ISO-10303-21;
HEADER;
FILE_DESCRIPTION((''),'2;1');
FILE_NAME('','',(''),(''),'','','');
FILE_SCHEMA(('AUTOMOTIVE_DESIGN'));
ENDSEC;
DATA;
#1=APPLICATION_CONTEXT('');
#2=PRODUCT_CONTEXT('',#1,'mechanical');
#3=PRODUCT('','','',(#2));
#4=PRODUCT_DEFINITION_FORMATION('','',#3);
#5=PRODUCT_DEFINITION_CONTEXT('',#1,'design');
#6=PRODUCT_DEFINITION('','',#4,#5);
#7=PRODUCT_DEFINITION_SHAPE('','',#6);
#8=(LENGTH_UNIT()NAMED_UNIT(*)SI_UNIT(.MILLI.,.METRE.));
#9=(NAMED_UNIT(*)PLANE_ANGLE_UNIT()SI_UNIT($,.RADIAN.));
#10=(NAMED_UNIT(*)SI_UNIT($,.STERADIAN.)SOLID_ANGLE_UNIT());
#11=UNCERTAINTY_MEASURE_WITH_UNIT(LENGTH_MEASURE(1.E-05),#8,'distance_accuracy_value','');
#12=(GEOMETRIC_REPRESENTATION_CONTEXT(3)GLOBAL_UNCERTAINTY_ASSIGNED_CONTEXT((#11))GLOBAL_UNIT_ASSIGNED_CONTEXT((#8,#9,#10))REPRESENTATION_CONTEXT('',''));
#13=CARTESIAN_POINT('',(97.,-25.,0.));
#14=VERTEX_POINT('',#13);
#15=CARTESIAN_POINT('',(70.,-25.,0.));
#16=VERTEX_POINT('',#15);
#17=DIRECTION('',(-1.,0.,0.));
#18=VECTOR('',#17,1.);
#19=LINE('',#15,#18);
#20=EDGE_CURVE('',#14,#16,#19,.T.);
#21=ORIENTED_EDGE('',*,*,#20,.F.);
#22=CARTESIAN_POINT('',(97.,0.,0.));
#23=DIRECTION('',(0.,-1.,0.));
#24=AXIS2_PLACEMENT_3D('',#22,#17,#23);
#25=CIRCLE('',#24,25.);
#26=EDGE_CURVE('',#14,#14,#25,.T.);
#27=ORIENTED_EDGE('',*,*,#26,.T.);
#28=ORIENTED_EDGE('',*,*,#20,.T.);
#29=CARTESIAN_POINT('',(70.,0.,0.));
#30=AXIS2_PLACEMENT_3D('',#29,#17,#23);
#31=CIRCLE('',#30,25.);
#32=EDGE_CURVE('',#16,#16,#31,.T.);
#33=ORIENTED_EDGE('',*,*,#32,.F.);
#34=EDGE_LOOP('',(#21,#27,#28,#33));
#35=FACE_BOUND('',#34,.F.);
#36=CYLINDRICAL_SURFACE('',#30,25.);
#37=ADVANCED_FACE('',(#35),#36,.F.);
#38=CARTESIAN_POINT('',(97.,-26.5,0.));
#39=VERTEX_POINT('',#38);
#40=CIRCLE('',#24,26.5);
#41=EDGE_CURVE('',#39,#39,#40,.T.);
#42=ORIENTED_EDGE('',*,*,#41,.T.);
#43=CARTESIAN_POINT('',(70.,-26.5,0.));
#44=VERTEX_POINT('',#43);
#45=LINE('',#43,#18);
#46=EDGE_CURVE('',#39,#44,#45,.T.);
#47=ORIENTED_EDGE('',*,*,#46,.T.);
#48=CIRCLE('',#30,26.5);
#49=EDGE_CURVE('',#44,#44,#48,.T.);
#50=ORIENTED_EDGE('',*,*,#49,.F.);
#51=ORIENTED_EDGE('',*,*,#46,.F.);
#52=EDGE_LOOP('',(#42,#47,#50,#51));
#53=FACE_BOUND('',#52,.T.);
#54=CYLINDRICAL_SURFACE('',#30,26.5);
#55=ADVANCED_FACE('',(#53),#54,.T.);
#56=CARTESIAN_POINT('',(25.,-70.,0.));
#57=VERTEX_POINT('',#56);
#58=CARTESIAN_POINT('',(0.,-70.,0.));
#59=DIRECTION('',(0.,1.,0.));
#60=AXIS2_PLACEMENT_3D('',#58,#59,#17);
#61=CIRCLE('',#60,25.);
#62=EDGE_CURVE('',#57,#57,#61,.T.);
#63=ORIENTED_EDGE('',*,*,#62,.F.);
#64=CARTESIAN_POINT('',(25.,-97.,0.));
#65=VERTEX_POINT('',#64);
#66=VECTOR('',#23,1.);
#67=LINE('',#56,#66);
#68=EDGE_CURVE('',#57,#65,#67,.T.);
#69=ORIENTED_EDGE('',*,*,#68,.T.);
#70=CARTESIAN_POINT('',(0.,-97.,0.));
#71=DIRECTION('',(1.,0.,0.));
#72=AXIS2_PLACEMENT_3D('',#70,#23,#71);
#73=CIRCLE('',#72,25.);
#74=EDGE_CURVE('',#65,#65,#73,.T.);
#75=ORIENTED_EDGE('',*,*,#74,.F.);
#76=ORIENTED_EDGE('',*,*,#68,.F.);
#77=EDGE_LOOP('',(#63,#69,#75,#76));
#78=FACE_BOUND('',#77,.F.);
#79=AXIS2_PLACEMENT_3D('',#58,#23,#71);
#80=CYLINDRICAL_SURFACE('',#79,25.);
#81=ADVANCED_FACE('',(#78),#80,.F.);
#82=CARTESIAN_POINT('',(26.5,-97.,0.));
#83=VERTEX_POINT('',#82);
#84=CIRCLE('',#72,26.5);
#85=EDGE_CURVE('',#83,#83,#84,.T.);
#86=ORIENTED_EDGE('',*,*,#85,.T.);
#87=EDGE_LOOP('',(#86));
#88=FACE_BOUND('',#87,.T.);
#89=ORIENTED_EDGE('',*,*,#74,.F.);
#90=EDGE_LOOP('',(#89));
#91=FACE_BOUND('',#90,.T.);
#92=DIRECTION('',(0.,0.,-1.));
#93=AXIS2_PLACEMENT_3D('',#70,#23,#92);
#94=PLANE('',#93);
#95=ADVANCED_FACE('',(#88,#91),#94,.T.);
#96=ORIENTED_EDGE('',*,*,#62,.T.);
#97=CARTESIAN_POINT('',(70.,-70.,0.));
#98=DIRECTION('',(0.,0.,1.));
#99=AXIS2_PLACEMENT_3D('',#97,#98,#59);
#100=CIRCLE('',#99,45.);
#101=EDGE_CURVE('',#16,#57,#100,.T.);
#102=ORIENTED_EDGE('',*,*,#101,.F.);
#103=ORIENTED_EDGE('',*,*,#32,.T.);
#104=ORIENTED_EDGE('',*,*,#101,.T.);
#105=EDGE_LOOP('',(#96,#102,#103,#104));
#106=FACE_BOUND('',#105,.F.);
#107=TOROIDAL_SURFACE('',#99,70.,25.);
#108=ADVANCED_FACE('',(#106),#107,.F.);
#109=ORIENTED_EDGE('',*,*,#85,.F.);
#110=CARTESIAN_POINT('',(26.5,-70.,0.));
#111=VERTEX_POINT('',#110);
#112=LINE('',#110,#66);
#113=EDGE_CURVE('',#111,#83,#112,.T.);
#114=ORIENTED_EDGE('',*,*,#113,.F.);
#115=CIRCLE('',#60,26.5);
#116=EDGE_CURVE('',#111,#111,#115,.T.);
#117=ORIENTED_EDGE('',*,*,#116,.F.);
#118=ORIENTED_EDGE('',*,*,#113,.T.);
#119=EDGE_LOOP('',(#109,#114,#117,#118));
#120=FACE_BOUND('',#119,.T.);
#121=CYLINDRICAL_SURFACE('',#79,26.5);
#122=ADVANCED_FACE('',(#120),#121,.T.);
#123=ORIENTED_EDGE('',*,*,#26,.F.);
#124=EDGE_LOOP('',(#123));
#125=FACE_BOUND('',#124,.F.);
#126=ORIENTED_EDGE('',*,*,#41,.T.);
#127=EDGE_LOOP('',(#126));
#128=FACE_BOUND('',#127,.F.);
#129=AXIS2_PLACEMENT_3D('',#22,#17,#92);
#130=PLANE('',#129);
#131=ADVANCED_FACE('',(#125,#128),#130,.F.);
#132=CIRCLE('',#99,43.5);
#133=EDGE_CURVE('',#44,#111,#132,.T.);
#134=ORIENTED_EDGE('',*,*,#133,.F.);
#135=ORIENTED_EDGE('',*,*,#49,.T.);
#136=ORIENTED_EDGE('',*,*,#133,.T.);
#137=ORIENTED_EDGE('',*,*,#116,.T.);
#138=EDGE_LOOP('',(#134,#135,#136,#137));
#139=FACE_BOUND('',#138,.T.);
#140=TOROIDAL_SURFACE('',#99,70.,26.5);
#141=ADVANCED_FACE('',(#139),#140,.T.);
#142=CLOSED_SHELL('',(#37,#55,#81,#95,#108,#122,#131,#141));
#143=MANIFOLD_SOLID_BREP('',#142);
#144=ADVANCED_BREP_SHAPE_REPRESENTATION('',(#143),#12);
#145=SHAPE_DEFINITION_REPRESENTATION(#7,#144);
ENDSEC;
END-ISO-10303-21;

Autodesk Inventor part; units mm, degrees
ref_plane "YZ Plane" through (0, 0, 0) normal (1, 0, 0) x (0, 1, 0)
ref_plane "XZ Plane" through (0, 0, 0) normal (0, 1, 0) x (-1, 0, 0)
sketch "Szkic6" plane through (0, 0, 0) normal (0, 0, 1) x (1, 0, 0)
  line L0 (-29.6067, 0) -> (35.2678, 0) construction
  line L1 (0, 42.3419) -> (0, -58.3726) construction
  arc A0 (70, 0) -> (0, -70) centre (70, -70) ccw
  line L2 (0, -70) -> (70, -70) construction
  line L3 (70, -70) -> (70, -4.4669) construction
  line L4 (70, 0) -> (97, 0)
  line L5 (0, -70) -> (0, -97)
  point P0 (0, 0)
  dimension "d24" = 70
  dimension "d31" = 90
  dimension "d36" = 27
  dimension "d37" = 27
ref_plane "Płaszczyzna konstrukcyjna2" through (0, -70, 0) normal (0, -1, 0) x (1, 0, 0)
sketch "Szkic8" plane through (0, -70, 0) normal (0, -1, 0) x (1, 0, 0)
  circle A0 centre (0, 0) radius 26.5
  circle A1 centre (0, 0) radius 25
  dimension "d32" = 53
  dimension "d33" = 1.5
sweep "Przeciągnięcie2" add profiles "Szkic8" path "Szkic6"
equation "\"d32\" = OD"
equation "\"d33\" = THK"
equation "\"d24\" = R"
equation "\"d31\" = KAT"
equation "\"d36\" = PROSTKA"
equation "\"d37\" = PROSTKA"
equation "\"SzerokośćGięciaPodcięcia\" = Grubość"
equation "\"RozmiarPodcięciaNarożnika\" = 4 * Grubość"
equation "\"PromieńPrzejścia\" = PromieńGięcia"
equation "\"Rozmiar_promienia_Jacobiego\" = PromieńGięcia"
equation "\"Wielk_odstępu\" = Grubość"
equation "\"d2\" = PromieńGięcia"
equation "\"d23\" = PromieńGięcia"
equation "\"R\" = 70"
equation "\"OD\" = 53"
equation "\"THK\" = 1.5"
equation "\"KAT\" = 90deg"
equation "\"PROSTKA\" = 27"
equation "\"Grubość\" = 1.5"
equation "\"PromieńGięcia\" = 3"
properties part number "Kolano 90° ø53x1,5 R70" material "304L"
